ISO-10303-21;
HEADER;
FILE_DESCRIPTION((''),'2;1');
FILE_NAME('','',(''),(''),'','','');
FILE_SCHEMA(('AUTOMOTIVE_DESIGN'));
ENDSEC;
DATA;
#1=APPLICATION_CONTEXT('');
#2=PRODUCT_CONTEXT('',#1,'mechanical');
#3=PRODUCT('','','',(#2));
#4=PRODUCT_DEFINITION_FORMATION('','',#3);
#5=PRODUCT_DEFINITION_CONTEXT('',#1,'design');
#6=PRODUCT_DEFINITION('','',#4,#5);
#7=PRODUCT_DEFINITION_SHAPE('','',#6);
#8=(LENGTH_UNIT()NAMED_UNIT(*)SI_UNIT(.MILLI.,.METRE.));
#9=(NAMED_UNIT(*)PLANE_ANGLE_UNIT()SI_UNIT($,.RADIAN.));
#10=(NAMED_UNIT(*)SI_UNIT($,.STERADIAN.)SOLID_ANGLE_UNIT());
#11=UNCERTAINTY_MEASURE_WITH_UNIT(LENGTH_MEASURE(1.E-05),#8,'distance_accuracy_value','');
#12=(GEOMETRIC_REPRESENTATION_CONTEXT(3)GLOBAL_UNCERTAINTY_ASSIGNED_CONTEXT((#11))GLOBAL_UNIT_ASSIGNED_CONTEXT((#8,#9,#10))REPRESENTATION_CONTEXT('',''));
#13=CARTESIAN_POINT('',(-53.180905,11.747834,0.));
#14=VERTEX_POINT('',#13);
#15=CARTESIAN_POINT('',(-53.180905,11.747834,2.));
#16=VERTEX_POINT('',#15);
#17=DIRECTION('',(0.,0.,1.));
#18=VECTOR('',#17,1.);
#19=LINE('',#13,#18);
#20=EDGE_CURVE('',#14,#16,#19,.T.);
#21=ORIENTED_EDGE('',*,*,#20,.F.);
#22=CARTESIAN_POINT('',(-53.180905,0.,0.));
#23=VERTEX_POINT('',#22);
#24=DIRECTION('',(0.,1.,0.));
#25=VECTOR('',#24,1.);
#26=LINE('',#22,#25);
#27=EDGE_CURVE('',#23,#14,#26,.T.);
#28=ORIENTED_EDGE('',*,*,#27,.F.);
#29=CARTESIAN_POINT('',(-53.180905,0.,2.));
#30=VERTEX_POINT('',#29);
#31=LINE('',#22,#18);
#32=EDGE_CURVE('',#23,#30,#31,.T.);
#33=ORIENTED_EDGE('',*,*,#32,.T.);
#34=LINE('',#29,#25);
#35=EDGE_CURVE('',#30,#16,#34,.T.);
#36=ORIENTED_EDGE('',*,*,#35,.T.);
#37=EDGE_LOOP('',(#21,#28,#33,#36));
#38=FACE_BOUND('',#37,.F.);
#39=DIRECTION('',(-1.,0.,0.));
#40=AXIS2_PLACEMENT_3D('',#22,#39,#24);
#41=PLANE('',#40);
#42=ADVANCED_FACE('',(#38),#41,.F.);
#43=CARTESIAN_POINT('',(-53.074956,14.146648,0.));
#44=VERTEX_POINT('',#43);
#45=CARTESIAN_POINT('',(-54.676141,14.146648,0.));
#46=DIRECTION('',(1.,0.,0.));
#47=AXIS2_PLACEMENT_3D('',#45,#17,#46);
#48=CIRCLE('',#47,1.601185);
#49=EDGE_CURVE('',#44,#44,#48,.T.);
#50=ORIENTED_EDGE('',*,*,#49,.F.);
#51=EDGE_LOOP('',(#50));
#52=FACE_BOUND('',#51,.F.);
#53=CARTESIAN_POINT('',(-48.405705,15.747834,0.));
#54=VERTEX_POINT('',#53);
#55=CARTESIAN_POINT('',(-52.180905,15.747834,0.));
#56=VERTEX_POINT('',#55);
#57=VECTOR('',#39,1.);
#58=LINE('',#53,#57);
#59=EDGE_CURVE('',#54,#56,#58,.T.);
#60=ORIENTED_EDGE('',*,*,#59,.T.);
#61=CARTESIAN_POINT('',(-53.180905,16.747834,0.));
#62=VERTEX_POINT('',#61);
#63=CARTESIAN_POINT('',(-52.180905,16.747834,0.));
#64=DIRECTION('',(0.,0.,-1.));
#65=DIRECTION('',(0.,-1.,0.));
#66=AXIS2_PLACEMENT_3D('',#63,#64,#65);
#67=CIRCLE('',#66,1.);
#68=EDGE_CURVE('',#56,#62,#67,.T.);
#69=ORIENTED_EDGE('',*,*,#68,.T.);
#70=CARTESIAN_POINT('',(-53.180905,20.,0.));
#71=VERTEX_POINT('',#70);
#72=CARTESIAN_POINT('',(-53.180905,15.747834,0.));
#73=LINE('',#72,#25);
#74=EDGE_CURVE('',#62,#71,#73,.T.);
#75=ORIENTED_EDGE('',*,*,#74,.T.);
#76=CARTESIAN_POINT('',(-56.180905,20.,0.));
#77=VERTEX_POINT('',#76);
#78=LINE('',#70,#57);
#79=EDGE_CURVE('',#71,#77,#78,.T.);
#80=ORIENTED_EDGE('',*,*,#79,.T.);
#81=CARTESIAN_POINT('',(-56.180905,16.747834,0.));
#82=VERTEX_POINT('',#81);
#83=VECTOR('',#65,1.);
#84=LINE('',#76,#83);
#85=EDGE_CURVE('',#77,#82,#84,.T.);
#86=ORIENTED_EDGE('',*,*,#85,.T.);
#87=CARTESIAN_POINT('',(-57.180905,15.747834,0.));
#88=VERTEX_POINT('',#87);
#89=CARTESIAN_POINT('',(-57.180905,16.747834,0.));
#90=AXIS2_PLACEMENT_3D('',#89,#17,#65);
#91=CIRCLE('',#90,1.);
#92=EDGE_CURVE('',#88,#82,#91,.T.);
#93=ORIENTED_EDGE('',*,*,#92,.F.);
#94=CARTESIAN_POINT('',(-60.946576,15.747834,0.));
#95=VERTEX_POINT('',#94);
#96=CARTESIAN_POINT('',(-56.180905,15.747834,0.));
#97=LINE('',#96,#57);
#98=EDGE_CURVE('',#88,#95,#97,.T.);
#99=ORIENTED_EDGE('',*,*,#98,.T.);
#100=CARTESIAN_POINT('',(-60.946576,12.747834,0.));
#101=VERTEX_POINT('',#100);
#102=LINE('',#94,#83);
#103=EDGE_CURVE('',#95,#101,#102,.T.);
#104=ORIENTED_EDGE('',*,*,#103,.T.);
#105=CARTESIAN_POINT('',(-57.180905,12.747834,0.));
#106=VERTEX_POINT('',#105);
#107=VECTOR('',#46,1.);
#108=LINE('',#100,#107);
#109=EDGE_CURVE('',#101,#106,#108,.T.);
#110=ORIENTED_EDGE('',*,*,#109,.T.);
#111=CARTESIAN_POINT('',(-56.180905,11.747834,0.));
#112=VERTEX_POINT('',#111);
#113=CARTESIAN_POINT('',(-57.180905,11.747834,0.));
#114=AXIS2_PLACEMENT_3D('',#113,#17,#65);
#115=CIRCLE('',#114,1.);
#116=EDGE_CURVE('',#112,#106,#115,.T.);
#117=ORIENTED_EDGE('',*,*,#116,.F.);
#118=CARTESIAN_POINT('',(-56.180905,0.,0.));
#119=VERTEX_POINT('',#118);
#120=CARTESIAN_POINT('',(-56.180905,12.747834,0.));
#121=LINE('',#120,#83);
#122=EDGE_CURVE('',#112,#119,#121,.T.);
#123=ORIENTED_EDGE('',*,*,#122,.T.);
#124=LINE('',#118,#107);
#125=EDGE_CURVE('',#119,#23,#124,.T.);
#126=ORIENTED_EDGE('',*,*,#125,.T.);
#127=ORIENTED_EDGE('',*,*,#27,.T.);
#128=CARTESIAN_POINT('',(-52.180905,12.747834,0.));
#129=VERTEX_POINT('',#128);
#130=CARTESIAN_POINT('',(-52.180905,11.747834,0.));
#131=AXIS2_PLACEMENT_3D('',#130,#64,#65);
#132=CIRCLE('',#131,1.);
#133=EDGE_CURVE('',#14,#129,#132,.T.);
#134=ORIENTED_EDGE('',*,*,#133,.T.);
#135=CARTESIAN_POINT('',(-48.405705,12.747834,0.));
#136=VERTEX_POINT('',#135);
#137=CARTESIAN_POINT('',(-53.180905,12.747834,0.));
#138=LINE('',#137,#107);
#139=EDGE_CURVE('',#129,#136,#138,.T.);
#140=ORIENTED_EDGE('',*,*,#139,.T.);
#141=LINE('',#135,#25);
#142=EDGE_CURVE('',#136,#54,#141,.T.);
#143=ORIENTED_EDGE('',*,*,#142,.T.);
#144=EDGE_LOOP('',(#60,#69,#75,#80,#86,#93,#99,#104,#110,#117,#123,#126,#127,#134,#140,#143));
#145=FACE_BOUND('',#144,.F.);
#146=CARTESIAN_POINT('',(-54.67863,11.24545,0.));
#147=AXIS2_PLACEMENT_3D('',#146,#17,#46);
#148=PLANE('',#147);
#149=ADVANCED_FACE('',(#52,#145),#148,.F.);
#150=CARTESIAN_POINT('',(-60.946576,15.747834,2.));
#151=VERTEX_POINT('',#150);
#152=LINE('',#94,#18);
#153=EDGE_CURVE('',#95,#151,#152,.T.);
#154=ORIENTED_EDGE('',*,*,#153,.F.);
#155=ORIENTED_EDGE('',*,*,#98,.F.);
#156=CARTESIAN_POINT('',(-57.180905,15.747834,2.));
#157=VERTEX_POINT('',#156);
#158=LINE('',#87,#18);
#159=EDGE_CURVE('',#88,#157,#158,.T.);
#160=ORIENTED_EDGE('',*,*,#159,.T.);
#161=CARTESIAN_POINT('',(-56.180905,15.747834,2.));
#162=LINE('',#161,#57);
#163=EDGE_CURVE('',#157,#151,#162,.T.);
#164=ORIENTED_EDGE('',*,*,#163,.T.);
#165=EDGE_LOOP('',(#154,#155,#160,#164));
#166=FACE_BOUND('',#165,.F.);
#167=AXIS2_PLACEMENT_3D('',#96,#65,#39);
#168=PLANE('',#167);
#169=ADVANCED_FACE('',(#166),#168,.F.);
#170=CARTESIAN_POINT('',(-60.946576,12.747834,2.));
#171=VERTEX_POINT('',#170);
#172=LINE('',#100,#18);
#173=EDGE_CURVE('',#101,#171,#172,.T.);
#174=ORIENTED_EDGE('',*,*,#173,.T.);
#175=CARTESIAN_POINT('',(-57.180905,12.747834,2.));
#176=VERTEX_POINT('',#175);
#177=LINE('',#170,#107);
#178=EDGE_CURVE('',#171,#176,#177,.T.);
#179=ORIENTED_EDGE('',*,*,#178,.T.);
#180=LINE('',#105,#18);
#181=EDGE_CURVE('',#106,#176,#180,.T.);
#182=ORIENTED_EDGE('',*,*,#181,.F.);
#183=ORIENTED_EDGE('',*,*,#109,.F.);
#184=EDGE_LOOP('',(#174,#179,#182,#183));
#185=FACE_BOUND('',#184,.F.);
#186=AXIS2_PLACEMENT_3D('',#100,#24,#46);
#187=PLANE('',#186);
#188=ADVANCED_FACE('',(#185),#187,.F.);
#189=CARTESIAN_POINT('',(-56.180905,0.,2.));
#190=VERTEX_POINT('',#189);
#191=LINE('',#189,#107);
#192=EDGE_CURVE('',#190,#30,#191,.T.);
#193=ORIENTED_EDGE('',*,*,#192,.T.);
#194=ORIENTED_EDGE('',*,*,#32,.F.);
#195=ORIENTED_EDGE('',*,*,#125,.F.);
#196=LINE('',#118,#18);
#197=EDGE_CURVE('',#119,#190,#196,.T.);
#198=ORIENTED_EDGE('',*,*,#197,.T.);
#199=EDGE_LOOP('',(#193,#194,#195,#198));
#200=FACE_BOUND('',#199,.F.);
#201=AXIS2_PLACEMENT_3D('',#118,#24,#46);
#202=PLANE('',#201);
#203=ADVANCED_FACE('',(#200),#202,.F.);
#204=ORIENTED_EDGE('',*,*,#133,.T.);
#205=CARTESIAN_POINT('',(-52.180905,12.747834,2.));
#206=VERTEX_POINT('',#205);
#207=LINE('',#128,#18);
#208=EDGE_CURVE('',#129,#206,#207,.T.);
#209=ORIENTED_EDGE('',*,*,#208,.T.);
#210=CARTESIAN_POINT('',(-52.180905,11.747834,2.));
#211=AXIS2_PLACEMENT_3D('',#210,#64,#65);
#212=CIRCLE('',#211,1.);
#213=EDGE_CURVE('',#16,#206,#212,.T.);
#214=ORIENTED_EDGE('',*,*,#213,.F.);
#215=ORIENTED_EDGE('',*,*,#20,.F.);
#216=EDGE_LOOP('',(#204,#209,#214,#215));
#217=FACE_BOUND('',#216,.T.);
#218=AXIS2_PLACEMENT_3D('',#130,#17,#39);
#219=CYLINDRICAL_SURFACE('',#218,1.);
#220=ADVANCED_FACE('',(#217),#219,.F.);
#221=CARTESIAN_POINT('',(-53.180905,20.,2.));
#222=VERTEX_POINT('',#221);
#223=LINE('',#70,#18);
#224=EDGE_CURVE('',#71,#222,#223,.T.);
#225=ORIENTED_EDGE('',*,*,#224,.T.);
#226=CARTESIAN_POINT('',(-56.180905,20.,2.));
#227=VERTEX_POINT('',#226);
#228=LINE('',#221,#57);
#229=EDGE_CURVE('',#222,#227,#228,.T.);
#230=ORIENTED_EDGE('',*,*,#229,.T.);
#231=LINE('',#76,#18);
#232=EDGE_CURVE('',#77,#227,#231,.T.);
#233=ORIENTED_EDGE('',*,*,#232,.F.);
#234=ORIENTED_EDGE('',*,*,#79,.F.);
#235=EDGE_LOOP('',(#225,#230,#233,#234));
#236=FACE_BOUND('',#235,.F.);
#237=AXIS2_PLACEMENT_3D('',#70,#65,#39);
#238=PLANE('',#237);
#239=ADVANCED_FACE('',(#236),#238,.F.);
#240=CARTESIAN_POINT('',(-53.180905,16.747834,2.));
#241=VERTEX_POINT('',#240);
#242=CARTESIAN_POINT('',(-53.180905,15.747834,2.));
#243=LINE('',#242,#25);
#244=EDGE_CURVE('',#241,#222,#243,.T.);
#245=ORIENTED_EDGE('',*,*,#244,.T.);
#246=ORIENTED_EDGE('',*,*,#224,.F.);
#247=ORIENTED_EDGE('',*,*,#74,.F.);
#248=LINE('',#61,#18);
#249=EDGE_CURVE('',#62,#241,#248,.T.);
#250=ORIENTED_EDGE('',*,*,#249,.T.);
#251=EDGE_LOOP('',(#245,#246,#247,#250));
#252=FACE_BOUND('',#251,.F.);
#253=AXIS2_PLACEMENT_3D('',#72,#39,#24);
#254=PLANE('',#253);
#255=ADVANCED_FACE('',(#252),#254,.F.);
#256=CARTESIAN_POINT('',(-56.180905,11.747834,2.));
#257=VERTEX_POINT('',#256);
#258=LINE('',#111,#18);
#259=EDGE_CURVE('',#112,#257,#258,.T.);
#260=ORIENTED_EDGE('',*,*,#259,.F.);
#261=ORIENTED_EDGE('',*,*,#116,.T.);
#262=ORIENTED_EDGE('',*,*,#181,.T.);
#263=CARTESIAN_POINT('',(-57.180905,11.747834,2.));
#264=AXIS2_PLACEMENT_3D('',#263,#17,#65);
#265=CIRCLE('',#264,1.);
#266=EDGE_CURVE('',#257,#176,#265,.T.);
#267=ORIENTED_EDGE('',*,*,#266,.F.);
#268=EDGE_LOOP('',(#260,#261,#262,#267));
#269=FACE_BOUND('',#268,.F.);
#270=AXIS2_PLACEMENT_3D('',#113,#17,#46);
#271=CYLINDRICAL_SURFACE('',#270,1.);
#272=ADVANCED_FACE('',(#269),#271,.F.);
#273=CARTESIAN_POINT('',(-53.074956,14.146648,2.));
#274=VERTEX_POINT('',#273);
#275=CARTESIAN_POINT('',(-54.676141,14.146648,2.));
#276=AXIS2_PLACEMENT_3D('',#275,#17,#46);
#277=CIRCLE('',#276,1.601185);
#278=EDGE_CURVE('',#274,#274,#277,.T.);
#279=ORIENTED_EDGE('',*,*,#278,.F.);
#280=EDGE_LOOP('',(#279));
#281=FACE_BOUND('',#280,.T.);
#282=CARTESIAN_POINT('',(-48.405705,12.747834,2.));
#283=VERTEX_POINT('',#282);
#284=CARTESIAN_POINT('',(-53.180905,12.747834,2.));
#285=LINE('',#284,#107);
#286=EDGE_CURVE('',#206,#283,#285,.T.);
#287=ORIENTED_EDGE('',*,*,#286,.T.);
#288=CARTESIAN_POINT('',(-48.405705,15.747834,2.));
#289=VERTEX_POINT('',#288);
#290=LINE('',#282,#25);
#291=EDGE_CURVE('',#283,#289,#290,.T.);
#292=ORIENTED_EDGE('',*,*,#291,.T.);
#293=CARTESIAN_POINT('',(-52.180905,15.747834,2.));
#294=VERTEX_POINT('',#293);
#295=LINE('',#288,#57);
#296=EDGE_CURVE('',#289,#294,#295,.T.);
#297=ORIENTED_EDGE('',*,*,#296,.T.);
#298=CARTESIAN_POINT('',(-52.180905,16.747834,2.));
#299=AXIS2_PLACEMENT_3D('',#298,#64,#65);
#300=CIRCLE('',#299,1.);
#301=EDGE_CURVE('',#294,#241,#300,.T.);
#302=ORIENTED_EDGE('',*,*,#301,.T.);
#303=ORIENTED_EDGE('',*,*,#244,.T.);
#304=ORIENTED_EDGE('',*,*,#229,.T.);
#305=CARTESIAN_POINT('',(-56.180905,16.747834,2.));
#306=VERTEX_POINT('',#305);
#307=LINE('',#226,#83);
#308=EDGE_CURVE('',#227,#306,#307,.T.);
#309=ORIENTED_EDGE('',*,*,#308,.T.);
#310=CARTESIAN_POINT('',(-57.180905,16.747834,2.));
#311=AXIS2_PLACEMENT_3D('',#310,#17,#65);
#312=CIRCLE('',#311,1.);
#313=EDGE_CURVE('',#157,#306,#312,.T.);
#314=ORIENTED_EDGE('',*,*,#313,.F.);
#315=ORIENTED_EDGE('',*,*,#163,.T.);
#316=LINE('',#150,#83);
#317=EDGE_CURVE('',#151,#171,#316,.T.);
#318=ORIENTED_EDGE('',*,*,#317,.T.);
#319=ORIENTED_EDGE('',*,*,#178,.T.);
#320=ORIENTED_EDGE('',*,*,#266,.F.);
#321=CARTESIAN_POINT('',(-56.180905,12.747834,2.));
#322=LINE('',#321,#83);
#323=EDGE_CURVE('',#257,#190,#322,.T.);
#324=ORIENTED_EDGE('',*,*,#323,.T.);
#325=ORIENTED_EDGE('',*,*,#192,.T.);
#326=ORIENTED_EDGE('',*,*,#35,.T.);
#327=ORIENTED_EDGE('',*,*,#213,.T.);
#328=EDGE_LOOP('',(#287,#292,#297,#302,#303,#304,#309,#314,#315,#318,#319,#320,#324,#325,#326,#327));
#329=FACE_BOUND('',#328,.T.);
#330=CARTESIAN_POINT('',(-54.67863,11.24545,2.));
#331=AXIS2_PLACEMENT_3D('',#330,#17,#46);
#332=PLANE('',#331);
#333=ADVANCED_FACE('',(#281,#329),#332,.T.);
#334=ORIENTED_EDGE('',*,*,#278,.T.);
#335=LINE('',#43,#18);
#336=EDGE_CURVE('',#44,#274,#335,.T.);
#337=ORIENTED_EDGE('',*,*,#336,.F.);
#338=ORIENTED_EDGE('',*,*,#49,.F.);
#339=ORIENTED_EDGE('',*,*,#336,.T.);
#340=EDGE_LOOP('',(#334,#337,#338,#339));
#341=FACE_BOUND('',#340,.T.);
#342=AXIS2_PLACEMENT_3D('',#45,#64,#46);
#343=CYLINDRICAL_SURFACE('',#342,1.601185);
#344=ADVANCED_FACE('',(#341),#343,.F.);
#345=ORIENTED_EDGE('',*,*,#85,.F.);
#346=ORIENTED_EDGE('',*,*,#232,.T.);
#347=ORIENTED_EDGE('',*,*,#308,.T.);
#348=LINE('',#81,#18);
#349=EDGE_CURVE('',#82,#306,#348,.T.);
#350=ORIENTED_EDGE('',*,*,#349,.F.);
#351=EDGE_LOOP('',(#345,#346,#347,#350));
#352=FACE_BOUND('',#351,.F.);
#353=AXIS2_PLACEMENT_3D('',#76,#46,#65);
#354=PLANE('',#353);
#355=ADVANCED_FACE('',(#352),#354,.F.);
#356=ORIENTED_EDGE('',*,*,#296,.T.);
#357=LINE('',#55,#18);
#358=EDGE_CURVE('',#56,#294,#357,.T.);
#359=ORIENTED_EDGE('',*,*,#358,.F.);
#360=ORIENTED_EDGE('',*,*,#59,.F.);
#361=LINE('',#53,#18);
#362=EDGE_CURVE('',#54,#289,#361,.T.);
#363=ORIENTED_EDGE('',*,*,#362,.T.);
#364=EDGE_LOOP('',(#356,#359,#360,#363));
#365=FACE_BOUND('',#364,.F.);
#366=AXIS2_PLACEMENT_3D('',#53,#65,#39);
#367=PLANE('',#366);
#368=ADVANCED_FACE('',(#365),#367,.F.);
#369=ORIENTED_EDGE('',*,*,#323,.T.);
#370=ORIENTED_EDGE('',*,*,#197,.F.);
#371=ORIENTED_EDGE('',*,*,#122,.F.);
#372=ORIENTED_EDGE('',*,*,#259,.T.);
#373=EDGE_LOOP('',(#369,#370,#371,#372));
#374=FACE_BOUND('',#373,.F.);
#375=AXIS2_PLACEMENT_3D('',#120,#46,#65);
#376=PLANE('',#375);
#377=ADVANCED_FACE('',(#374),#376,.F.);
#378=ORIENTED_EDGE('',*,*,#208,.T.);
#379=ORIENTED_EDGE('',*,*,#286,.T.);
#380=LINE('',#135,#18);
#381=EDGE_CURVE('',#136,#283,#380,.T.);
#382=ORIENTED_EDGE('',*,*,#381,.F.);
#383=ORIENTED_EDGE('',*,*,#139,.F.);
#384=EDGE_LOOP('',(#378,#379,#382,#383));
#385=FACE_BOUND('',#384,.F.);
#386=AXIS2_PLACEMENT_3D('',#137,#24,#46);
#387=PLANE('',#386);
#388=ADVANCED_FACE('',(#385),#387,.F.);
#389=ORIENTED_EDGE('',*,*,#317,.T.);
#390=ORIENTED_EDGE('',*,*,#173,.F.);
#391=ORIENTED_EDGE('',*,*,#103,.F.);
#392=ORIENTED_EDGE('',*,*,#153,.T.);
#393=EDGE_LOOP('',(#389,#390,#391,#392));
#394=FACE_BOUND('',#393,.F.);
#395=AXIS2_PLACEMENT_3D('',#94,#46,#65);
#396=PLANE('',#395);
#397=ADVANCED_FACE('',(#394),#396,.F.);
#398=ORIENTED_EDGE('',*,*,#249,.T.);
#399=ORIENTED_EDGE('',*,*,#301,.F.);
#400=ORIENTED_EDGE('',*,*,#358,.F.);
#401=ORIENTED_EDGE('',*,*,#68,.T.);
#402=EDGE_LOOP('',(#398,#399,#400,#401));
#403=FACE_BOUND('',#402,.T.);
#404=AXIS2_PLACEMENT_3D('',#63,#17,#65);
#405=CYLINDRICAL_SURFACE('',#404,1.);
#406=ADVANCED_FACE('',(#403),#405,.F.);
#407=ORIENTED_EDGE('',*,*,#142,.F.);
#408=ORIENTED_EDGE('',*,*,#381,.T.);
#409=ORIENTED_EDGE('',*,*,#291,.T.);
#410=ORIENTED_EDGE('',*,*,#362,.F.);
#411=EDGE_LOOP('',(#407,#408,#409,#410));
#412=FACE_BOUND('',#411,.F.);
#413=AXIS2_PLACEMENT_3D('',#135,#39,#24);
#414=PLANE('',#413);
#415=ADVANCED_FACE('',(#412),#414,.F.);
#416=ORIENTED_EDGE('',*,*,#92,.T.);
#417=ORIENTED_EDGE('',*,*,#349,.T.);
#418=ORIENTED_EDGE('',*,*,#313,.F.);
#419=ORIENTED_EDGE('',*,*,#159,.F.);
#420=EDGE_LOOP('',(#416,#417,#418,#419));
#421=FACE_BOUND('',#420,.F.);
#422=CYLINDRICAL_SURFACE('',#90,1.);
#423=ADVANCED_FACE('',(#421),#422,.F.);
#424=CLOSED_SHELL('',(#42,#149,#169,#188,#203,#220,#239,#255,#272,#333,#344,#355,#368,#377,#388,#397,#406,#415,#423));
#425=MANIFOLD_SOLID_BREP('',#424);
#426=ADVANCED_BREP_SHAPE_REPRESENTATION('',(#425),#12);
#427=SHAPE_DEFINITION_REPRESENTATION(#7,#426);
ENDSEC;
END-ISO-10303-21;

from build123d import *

# Parameters (mm, degrees)
F0_R     = 1.601185
F1_DEPTH = 2
F2_R     = 1


with BuildPart() as f1:
    # F0 (on Top) → F1 (new body)
    with BuildSketch(Plane.XY):
        Polygon((-56.180905, 12.747834), (-56.180905, 0), (-53.180905, 0), (-53.180905, 12.747834), (-48.405705, 12.747834), (-48.405705, 15.747834), (-53.180905, 15.747834), (-53.180905, 20), (-56.180905, 20), (-56.180905, 15.747834), (-60.946576, 15.747834), (-60.946576, 12.747834), align=None)
        with Locations((-54.676141, 14.146648)):
            Circle(F0_R, mode=Mode.SUBTRACT)
    extrude(amount=F1_DEPTH)

    # F2
    f2_edges = [f1.edges().sort_by_distance(p)[0] for p in [
        (-56.180905, 15.747834, 1),
        (-53.180905, 15.747834, 1),
        (-56.180905, 12.747834, 1),
        (-53.180905, 12.747834, 1),
    ]]
    fillet(f2_edges, radius=F2_R)


solid = f1.part
